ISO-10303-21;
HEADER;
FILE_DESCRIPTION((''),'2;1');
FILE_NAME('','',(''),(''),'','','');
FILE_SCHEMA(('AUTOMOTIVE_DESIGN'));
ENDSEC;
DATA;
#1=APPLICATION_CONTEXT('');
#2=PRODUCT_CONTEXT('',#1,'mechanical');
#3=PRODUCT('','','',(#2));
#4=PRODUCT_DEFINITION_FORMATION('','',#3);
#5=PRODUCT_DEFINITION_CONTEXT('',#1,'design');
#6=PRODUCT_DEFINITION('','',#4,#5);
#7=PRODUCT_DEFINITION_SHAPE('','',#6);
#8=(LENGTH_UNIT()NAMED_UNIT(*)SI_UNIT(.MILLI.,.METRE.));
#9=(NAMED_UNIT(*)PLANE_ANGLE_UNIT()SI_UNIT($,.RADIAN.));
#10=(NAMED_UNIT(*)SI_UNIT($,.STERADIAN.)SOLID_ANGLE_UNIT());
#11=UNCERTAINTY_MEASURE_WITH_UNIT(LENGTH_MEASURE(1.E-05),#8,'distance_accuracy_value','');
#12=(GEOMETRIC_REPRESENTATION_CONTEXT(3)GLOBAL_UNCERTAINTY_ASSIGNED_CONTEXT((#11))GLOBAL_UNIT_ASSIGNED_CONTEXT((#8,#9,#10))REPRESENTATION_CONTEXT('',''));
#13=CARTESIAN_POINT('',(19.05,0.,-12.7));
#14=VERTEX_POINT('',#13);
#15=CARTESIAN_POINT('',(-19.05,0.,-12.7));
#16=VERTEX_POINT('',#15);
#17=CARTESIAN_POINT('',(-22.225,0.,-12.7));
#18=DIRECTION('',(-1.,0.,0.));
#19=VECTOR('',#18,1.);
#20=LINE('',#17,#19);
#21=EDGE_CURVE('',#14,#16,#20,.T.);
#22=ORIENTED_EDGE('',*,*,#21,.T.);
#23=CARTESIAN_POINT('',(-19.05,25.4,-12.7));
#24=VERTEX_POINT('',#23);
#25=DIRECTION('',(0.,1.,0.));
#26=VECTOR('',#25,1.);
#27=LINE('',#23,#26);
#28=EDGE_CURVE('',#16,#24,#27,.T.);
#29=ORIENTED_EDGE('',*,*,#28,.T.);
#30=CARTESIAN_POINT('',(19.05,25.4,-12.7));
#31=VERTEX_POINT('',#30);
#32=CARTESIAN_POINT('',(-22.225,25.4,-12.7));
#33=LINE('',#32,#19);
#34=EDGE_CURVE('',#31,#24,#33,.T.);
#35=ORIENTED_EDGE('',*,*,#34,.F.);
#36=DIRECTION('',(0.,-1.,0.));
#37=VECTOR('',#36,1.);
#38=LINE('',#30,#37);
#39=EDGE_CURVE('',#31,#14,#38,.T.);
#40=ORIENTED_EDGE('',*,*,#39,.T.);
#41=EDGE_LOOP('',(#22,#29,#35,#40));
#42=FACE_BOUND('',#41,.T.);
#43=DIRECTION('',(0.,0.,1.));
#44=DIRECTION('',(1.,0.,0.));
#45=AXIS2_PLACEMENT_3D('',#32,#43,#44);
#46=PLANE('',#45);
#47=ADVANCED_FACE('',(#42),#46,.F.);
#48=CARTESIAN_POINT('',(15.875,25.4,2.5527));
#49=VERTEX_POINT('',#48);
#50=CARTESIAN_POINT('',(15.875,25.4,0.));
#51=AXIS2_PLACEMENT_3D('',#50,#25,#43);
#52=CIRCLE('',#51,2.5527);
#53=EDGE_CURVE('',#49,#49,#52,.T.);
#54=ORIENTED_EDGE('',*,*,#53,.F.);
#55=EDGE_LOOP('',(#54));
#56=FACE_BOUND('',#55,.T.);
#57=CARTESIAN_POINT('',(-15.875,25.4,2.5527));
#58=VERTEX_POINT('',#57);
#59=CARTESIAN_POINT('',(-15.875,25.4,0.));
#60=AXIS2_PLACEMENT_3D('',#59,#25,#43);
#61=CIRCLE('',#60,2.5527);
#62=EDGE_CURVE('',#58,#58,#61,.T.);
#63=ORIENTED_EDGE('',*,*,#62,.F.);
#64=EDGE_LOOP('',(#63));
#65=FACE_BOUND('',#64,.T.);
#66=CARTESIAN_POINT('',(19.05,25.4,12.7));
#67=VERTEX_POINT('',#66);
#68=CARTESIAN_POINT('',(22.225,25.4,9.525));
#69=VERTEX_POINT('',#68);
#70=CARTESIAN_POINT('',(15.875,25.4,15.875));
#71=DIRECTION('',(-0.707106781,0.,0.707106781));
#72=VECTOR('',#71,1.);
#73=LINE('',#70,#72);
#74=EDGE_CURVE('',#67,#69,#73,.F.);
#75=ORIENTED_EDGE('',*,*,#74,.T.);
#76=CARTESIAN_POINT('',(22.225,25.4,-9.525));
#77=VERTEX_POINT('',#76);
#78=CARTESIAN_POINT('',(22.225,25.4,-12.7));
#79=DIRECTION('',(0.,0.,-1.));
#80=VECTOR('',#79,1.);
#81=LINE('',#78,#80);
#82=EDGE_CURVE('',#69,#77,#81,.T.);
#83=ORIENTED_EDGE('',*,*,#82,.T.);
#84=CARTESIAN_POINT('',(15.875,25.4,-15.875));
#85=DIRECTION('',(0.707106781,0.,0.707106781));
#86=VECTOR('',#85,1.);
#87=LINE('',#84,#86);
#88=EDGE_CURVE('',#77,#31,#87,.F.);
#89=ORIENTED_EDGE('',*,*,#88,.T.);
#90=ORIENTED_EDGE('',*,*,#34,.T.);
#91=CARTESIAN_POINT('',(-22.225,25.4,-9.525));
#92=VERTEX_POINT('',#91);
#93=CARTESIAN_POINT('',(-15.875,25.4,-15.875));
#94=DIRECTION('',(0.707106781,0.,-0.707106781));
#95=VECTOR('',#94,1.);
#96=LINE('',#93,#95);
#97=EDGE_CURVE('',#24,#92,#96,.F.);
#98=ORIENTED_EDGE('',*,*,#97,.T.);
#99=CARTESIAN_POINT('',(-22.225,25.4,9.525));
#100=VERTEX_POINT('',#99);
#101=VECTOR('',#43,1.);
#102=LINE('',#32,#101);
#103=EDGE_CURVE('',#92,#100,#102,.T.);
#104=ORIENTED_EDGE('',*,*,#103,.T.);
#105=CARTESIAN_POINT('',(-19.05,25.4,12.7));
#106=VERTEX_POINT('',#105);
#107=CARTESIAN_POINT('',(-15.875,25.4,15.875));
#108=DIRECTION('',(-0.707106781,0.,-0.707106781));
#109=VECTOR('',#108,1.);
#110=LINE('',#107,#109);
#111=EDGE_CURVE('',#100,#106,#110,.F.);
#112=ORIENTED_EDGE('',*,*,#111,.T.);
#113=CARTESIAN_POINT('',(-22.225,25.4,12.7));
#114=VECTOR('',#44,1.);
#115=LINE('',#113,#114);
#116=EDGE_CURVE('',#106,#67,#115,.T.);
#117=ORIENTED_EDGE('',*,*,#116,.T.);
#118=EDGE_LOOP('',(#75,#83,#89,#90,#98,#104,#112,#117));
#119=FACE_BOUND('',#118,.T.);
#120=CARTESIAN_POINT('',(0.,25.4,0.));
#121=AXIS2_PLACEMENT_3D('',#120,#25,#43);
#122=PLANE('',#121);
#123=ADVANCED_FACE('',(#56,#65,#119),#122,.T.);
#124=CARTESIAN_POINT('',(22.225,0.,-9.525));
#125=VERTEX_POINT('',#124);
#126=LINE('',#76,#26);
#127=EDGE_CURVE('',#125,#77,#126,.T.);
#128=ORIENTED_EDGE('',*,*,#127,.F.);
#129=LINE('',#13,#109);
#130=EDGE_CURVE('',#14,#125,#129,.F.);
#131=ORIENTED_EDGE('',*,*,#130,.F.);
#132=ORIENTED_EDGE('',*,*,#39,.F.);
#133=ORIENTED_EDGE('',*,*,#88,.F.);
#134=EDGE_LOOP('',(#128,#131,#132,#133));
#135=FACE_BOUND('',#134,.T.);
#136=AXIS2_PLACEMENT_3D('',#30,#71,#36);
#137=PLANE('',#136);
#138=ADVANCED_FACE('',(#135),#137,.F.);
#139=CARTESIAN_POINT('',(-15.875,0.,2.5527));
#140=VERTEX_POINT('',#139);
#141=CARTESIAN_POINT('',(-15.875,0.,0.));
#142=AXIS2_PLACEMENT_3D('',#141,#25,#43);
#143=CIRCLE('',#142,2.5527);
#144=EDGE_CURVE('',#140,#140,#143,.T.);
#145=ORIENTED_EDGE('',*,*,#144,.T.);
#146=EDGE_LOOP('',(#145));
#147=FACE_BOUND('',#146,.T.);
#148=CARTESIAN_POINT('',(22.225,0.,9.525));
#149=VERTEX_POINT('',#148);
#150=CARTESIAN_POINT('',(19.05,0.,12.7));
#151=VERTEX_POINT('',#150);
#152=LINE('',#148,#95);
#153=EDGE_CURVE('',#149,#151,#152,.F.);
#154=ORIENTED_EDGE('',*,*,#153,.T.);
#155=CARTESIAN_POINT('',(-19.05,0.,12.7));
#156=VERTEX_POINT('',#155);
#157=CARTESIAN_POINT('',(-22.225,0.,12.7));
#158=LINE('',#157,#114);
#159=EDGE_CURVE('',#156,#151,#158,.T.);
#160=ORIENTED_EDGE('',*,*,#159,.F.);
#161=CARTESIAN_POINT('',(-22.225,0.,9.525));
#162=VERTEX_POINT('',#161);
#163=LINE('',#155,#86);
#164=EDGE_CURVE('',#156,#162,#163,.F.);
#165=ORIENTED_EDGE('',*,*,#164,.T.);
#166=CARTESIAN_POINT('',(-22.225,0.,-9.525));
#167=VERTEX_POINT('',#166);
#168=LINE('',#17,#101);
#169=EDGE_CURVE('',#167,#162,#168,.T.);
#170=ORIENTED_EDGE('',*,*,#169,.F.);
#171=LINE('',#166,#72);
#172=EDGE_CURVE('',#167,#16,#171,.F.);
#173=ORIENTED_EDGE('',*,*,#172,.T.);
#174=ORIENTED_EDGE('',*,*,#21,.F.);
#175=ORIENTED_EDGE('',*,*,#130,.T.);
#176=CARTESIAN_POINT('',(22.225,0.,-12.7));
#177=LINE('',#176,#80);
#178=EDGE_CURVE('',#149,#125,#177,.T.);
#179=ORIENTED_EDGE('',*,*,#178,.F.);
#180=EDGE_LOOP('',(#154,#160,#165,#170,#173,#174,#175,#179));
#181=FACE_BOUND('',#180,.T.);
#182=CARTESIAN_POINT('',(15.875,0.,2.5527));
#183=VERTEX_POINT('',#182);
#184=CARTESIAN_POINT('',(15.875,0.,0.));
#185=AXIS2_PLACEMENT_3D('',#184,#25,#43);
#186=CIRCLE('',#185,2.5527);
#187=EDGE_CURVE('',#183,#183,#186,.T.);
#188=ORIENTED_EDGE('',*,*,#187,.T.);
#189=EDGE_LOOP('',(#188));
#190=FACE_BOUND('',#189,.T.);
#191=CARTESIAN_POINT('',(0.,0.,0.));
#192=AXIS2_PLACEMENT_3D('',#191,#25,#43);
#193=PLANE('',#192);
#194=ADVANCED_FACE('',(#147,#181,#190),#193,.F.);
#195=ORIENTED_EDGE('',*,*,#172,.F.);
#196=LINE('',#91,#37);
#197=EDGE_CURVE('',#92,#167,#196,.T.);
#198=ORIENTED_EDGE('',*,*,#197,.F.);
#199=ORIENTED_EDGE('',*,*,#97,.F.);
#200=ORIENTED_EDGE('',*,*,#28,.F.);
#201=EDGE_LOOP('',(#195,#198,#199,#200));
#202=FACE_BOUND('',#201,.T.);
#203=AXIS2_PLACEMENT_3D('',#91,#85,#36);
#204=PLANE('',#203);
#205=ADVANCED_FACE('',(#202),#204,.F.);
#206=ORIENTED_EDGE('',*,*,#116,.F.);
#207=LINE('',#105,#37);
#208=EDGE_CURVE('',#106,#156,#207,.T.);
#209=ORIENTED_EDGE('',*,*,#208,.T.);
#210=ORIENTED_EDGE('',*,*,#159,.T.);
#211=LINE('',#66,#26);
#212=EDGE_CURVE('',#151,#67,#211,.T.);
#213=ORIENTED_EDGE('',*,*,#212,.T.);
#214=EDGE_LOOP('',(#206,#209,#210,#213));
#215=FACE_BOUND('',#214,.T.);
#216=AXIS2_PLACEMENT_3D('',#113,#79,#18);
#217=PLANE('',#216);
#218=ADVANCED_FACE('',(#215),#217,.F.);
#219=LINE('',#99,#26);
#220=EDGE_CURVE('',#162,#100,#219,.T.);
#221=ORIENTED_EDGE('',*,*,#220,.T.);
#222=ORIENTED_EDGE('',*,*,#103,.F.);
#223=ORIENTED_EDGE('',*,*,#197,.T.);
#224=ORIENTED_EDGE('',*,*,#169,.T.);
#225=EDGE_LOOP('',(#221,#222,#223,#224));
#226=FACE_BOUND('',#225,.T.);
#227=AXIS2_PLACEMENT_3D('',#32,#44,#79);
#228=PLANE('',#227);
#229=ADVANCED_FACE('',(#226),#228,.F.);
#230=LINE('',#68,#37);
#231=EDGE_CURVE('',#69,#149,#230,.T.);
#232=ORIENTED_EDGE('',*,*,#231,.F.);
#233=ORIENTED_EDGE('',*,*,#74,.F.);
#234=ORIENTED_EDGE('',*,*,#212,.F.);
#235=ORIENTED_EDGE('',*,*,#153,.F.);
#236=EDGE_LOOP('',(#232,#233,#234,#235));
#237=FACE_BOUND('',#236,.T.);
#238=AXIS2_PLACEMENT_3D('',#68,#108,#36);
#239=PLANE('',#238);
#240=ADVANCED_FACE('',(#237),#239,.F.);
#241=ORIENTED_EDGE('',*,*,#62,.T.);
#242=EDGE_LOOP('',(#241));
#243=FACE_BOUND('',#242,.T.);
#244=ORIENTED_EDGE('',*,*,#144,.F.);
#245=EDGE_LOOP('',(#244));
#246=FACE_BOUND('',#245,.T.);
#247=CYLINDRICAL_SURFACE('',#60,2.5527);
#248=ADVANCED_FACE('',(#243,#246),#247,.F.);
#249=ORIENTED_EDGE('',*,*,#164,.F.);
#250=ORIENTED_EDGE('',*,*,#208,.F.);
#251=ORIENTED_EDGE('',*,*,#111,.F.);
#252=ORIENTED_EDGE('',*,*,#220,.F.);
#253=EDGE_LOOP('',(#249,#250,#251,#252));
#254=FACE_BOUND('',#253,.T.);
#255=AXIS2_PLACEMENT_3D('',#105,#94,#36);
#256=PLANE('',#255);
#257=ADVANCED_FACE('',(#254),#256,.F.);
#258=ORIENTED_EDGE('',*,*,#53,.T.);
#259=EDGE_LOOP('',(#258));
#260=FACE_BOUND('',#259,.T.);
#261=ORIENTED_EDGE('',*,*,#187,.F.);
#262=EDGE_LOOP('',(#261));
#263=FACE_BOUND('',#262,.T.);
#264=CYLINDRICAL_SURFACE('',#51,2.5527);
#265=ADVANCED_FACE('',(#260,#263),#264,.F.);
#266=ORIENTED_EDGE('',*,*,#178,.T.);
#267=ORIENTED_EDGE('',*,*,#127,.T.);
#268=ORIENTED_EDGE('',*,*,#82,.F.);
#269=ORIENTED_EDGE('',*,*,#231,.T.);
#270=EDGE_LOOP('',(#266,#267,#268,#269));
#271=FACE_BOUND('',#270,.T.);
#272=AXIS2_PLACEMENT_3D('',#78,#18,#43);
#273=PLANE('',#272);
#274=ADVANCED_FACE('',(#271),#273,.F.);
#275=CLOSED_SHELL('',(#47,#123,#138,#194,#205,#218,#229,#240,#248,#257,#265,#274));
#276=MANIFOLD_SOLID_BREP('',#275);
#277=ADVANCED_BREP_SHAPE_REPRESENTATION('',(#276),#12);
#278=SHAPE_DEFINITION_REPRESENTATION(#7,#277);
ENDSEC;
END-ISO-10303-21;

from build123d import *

# Parameters (mm, degrees)
SKETCH1_W              = 44.45
SKETCH1_H              = 25.4
BOSS_EXTRUDE1_DEPTH    = 25.4
F_10_CLEARANCE_HOLE1_D = 5.1054
CHAMFER1_SIZE          = 3.175


with BuildPart() as part:
    # Sketch1 → Boss-Extrude1 (new body)
    with BuildSketch(Plane(origin=(0, 0, 0), x_dir=(1, 0, 0), z_dir=(0, 1, 0))):
        Rectangle(SKETCH1_W, SKETCH1_H)
    extrude(amount=BOSS_EXTRUDE1_DEPTH)

    # #10 Clearance Hole1 (through all)
    with Locations(Plane(origin=(0, 25.4, 0), x_dir=(1, 0, 0), z_dir=(0, 1, 0))):
        with Locations((-15.875, 0), (15.875, 0)):
            Hole(F_10_CLEARANCE_HOLE1_D / 2)

    # Chamfer1
    chamfer1_edges = [part.edges().sort_by_distance(p)[0] for p in [
        (22.225, 12.7, 12.7),
        (-22.225, 12.7, 12.7),
        (-22.225, 12.7, -12.7),
        (22.225, 12.7, -12.7),
    ]]
    chamfer(chamfer1_edges, length=CHAMFER1_SIZE)


solid = part.part
